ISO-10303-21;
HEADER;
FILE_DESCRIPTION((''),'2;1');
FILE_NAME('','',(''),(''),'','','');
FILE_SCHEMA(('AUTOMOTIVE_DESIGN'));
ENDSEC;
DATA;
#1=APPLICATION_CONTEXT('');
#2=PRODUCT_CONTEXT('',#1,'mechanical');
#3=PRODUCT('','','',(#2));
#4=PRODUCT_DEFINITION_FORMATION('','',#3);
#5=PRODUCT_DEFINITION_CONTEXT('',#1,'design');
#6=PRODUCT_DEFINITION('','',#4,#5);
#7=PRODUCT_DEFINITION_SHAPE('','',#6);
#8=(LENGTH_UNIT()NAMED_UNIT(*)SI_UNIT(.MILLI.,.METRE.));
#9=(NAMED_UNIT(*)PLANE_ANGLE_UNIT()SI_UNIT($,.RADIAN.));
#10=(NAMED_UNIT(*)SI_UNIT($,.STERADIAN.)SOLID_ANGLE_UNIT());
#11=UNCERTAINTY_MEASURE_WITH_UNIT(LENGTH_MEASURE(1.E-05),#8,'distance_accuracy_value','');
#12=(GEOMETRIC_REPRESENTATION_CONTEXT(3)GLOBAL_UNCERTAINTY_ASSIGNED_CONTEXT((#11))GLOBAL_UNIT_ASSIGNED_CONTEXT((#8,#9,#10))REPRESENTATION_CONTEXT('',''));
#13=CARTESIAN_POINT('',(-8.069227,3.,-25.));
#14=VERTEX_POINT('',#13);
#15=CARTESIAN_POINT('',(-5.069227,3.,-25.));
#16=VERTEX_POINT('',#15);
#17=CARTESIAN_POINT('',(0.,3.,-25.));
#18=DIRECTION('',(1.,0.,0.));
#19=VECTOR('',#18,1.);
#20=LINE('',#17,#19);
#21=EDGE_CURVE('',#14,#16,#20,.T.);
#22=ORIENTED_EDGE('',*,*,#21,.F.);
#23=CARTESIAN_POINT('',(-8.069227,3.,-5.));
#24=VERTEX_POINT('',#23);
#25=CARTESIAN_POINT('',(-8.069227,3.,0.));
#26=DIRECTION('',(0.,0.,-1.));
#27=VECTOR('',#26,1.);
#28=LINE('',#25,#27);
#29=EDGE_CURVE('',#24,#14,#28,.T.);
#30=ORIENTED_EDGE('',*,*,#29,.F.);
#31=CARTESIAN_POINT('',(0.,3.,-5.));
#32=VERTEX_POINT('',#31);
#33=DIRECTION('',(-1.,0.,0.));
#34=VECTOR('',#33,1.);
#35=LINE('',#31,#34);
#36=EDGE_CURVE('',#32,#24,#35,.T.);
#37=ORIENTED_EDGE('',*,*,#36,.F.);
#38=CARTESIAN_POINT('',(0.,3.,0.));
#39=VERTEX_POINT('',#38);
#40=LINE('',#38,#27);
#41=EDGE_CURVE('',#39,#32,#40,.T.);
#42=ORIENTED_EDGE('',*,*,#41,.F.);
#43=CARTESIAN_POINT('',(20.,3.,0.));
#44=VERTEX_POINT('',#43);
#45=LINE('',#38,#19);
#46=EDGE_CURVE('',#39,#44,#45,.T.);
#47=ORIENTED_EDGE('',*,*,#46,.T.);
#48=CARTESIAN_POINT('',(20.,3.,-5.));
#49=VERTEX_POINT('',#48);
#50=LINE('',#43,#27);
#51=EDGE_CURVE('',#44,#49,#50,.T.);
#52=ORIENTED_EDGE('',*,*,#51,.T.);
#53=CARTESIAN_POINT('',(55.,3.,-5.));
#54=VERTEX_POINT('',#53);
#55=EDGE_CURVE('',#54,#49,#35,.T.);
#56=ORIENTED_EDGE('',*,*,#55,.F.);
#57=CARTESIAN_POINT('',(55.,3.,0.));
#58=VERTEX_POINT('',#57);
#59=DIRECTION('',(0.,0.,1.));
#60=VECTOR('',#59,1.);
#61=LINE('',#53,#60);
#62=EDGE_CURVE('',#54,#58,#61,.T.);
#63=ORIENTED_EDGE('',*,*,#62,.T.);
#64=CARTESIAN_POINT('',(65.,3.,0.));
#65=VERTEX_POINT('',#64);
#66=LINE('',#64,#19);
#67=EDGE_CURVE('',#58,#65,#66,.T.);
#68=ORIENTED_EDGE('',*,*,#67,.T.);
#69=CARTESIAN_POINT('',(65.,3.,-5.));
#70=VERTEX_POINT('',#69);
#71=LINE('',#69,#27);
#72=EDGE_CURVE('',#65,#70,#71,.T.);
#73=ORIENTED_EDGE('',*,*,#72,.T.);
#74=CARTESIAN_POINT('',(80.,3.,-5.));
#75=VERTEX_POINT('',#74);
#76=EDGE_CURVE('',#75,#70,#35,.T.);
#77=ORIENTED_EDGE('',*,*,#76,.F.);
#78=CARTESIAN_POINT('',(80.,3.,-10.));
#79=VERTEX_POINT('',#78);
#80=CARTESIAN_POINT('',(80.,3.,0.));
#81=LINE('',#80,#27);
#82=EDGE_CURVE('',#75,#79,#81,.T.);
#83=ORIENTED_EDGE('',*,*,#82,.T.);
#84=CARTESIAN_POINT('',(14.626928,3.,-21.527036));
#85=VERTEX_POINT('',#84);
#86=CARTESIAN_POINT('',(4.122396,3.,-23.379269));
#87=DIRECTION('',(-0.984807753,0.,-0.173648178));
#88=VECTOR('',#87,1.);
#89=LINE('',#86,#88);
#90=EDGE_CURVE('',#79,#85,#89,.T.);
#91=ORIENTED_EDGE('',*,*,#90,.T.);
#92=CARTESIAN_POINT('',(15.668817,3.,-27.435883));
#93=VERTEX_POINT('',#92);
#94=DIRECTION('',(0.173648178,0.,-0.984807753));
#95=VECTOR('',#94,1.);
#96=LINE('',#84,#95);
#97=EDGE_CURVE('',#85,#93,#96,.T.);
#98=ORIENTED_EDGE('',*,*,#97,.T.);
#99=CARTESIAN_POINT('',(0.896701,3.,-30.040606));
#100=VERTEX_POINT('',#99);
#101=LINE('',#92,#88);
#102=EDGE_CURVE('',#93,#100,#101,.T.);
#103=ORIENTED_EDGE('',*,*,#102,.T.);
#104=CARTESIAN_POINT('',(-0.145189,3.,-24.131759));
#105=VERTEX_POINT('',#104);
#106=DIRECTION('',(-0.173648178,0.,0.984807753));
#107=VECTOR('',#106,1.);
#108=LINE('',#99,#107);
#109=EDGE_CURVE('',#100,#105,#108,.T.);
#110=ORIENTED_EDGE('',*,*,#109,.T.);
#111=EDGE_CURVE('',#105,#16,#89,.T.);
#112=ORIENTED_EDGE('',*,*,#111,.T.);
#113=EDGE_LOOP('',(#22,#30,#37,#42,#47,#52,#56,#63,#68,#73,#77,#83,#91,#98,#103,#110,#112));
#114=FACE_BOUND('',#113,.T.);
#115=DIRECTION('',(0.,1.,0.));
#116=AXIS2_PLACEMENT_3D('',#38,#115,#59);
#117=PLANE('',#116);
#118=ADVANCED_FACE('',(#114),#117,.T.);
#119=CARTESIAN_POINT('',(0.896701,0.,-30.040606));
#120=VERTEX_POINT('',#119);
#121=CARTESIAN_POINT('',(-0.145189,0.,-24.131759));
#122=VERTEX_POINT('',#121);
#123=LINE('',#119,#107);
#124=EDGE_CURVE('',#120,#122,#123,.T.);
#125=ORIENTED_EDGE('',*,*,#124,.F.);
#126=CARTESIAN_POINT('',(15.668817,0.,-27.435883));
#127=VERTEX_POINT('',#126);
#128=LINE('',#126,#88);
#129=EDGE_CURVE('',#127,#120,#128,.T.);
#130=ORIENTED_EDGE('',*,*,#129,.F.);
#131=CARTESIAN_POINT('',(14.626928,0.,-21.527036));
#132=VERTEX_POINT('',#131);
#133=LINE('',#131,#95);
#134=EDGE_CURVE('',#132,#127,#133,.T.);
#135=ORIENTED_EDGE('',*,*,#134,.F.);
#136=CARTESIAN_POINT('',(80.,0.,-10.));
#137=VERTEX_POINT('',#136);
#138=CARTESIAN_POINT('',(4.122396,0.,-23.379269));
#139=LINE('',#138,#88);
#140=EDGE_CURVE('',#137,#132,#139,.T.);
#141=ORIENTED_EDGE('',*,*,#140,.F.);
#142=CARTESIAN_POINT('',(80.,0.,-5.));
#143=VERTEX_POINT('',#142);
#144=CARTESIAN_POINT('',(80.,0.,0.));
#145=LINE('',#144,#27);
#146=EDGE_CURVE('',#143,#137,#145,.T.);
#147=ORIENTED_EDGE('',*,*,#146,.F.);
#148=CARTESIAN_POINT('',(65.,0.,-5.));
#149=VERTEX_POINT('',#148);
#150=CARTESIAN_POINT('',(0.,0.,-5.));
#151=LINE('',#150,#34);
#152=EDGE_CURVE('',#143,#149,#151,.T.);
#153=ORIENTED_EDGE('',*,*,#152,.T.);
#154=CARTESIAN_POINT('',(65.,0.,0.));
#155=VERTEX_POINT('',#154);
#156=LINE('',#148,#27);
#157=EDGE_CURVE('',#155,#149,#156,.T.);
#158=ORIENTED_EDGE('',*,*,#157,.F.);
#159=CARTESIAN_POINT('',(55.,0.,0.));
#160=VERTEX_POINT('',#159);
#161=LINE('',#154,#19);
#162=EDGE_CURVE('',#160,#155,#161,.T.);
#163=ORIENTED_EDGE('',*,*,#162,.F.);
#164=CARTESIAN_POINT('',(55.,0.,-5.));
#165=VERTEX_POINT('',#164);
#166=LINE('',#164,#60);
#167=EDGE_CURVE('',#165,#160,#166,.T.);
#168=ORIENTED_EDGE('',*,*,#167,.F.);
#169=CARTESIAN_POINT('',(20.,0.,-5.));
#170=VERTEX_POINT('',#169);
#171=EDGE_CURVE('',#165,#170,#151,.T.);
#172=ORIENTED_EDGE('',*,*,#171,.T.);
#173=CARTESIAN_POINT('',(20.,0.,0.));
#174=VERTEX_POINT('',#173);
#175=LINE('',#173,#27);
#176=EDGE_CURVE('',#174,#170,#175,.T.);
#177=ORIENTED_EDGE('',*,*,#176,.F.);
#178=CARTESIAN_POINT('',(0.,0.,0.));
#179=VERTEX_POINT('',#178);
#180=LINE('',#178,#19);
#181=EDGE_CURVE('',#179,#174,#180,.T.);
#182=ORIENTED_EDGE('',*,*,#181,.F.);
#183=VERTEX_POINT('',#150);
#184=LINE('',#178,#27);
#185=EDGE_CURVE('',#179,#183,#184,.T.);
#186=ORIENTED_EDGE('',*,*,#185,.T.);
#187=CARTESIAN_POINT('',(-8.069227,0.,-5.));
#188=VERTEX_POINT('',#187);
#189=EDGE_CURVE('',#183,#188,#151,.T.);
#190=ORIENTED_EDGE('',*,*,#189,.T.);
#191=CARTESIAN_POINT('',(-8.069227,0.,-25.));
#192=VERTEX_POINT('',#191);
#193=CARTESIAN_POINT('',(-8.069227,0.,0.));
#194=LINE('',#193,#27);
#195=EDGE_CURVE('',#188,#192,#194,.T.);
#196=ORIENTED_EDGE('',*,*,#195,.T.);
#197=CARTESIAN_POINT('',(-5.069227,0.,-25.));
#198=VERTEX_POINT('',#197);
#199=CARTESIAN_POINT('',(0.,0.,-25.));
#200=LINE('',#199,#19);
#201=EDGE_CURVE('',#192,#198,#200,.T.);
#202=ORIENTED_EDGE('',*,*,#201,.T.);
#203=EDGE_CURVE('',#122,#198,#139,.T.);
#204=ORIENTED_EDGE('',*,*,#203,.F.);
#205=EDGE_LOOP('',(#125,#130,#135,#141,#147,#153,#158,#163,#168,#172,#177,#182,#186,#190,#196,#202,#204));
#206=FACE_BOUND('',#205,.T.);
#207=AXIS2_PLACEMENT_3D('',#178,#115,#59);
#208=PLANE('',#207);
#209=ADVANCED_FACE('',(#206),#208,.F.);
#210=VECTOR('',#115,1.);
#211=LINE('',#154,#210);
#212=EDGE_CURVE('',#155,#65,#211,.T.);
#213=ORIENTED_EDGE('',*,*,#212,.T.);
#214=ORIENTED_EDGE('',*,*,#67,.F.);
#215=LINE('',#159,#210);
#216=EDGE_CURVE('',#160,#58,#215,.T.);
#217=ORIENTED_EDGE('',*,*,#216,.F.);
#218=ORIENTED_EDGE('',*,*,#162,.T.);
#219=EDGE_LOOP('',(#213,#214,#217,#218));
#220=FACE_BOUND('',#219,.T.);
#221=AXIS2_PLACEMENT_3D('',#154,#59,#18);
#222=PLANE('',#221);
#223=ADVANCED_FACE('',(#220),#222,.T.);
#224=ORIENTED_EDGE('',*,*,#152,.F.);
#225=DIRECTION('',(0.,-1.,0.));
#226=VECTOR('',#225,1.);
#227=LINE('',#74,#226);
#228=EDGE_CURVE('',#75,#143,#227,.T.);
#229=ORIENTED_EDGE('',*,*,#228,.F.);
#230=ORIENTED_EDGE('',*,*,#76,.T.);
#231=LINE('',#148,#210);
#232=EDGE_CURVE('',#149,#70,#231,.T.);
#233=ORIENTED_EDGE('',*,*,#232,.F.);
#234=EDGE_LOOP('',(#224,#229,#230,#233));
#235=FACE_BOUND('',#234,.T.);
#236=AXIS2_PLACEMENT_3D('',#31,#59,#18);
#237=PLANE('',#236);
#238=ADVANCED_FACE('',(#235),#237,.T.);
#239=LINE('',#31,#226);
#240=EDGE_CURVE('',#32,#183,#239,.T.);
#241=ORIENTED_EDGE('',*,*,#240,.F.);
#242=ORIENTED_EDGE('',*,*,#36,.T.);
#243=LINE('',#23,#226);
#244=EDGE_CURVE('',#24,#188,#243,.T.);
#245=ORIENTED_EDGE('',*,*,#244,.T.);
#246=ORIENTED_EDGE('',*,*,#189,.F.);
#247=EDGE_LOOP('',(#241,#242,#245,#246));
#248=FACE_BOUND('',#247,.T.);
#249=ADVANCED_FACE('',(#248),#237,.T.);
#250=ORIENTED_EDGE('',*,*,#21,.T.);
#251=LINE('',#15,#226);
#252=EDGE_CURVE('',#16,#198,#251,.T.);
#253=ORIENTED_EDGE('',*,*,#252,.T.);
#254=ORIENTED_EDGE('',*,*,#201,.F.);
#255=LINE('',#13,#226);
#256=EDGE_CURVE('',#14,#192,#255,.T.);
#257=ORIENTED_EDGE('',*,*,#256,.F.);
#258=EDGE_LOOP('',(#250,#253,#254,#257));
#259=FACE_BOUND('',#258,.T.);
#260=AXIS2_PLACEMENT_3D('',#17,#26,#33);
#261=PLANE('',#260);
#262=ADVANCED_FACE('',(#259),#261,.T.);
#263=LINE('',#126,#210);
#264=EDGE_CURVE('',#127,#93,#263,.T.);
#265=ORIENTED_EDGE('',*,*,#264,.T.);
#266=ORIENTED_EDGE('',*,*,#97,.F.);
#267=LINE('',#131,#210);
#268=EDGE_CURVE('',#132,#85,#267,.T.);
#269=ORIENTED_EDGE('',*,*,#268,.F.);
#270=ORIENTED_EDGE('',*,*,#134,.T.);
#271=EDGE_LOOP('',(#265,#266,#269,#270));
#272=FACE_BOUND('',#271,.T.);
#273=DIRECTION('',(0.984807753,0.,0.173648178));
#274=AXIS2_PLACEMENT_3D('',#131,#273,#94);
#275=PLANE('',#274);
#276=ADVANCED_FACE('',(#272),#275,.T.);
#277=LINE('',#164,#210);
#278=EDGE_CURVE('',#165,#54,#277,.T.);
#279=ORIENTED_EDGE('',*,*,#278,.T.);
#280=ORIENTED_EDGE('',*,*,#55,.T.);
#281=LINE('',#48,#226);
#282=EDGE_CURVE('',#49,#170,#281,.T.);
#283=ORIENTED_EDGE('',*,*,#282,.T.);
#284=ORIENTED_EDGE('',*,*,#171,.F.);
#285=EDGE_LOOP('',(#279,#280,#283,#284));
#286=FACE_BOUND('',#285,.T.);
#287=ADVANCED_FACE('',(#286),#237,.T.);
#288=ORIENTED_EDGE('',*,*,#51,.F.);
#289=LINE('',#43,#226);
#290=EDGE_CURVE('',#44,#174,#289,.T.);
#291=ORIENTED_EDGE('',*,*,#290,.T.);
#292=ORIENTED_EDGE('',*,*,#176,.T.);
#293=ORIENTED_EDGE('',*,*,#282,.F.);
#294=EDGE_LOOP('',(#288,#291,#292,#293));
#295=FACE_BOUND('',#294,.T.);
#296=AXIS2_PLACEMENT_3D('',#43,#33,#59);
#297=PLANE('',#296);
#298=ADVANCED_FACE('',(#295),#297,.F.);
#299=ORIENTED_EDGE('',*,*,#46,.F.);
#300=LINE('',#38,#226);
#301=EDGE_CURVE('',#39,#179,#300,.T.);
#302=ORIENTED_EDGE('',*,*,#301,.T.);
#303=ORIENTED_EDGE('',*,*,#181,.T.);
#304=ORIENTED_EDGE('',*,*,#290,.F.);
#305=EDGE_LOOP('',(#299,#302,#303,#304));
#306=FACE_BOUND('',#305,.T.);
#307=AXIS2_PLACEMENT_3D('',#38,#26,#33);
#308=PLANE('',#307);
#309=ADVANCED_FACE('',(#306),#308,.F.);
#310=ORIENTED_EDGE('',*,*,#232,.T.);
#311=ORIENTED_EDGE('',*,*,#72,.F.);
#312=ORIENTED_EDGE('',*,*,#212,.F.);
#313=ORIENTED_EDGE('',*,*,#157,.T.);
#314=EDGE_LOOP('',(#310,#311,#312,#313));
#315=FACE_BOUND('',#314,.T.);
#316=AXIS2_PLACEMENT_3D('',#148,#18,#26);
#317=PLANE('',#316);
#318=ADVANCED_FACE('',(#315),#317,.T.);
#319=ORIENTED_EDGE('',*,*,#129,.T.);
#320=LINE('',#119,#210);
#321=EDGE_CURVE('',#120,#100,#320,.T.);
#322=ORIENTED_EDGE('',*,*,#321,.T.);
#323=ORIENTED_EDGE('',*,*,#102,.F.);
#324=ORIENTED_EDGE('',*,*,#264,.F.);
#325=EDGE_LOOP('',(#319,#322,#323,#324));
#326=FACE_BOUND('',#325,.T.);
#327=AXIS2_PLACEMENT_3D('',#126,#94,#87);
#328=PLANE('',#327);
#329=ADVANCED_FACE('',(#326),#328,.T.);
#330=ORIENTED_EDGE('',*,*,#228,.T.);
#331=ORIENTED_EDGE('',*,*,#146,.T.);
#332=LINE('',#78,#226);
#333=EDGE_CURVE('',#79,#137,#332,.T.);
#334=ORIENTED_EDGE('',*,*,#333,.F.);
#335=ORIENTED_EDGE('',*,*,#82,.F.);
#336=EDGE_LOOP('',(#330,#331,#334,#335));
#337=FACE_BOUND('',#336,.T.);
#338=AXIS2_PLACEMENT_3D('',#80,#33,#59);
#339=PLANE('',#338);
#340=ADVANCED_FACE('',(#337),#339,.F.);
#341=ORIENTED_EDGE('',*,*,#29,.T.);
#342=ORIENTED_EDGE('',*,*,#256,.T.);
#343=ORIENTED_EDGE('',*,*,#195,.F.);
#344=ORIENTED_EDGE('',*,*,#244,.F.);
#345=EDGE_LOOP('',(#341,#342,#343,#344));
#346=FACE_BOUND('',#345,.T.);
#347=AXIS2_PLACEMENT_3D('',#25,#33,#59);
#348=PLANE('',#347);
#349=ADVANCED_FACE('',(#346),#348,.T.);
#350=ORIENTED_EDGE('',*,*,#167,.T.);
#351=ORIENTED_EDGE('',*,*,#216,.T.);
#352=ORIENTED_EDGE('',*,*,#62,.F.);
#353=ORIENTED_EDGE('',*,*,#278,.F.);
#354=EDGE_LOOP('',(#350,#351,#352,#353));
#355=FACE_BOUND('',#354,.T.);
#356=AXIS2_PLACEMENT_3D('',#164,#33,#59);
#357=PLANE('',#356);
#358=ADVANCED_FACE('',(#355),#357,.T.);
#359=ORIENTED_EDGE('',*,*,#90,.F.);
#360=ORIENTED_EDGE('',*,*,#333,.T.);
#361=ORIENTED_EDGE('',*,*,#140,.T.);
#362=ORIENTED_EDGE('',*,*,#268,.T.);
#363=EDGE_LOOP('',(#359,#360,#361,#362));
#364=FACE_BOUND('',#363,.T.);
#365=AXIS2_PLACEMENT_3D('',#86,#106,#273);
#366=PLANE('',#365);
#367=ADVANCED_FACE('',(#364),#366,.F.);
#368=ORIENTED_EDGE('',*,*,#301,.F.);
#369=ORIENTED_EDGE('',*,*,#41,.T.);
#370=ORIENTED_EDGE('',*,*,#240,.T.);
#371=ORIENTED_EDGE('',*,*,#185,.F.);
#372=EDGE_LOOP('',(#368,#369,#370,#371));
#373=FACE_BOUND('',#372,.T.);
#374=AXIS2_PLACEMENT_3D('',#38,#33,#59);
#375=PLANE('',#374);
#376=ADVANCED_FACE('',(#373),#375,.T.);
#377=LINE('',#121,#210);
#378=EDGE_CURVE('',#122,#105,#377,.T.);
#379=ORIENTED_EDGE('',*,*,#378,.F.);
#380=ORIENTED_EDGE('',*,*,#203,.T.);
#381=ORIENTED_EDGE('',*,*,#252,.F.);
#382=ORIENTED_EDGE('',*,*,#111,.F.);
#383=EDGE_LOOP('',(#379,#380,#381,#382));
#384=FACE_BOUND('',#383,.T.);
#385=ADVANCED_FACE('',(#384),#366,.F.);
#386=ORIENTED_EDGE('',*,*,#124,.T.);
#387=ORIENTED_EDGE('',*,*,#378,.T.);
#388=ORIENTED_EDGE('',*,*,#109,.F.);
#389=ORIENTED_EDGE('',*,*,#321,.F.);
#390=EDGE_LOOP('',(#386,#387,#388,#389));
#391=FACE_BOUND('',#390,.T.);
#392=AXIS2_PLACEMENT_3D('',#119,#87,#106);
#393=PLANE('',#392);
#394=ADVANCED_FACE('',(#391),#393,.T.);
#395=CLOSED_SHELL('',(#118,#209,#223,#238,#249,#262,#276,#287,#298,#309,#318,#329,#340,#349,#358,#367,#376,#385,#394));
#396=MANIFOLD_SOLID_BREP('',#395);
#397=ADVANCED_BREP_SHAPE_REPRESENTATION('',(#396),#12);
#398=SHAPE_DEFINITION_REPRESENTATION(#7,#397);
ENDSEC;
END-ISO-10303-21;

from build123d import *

# Parameters (mm, degrees)
BOSS_EXTRUDE1_DEPTH = 3
SKETCH2_W           = 10
SKETCH2_H           = 5
BOSS_EXTRUDE2_DEPTH = 3
BOSS_EXTRUDE3_DEPTH = 3


with BuildPart() as part:
    # Sketch1 → Boss-Extrude1 (new body)
    with BuildSketch(Plane(origin=(0, 0, 0), x_dir=(1, 0, 0), z_dir=(0, 1, 0))):
        Polygon((20, 0), (20, 5), (80, 5), (80, 10), (-5.069227294, 25), (-8.069227294, 25), (-8.069227294, 5), (0, 5), (0, 0), align=None)
    extrude(amount=BOSS_EXTRUDE1_DEPTH)

    # Sketch2 → Boss-Extrude2 (add)
    with BuildSketch(Plane(origin=(0, 3, 0), x_dir=(1, 0, 0), z_dir=(0, 1, 0))):
        with Locations((60, 2.5)):
            Rectangle(SKETCH2_W, SKETCH2_H)
    extrude(amount=-BOSS_EXTRUDE2_DEPTH)

    # Sketch3 → Boss-Extrude3 (add)
    with BuildSketch(Plane(origin=(0, 3, 0), x_dir=(1, 0, 0), z_dir=(0, 1, 0))):
        Polygon((-0.145188529, 24.131759112), (14.626927766, 21.527036447), (15.668816832, 27.435882965), (0.896700537, 30.04060563), align=None)
    extrude(amount=-BOSS_EXTRUDE3_DEPTH)


solid = part.part
